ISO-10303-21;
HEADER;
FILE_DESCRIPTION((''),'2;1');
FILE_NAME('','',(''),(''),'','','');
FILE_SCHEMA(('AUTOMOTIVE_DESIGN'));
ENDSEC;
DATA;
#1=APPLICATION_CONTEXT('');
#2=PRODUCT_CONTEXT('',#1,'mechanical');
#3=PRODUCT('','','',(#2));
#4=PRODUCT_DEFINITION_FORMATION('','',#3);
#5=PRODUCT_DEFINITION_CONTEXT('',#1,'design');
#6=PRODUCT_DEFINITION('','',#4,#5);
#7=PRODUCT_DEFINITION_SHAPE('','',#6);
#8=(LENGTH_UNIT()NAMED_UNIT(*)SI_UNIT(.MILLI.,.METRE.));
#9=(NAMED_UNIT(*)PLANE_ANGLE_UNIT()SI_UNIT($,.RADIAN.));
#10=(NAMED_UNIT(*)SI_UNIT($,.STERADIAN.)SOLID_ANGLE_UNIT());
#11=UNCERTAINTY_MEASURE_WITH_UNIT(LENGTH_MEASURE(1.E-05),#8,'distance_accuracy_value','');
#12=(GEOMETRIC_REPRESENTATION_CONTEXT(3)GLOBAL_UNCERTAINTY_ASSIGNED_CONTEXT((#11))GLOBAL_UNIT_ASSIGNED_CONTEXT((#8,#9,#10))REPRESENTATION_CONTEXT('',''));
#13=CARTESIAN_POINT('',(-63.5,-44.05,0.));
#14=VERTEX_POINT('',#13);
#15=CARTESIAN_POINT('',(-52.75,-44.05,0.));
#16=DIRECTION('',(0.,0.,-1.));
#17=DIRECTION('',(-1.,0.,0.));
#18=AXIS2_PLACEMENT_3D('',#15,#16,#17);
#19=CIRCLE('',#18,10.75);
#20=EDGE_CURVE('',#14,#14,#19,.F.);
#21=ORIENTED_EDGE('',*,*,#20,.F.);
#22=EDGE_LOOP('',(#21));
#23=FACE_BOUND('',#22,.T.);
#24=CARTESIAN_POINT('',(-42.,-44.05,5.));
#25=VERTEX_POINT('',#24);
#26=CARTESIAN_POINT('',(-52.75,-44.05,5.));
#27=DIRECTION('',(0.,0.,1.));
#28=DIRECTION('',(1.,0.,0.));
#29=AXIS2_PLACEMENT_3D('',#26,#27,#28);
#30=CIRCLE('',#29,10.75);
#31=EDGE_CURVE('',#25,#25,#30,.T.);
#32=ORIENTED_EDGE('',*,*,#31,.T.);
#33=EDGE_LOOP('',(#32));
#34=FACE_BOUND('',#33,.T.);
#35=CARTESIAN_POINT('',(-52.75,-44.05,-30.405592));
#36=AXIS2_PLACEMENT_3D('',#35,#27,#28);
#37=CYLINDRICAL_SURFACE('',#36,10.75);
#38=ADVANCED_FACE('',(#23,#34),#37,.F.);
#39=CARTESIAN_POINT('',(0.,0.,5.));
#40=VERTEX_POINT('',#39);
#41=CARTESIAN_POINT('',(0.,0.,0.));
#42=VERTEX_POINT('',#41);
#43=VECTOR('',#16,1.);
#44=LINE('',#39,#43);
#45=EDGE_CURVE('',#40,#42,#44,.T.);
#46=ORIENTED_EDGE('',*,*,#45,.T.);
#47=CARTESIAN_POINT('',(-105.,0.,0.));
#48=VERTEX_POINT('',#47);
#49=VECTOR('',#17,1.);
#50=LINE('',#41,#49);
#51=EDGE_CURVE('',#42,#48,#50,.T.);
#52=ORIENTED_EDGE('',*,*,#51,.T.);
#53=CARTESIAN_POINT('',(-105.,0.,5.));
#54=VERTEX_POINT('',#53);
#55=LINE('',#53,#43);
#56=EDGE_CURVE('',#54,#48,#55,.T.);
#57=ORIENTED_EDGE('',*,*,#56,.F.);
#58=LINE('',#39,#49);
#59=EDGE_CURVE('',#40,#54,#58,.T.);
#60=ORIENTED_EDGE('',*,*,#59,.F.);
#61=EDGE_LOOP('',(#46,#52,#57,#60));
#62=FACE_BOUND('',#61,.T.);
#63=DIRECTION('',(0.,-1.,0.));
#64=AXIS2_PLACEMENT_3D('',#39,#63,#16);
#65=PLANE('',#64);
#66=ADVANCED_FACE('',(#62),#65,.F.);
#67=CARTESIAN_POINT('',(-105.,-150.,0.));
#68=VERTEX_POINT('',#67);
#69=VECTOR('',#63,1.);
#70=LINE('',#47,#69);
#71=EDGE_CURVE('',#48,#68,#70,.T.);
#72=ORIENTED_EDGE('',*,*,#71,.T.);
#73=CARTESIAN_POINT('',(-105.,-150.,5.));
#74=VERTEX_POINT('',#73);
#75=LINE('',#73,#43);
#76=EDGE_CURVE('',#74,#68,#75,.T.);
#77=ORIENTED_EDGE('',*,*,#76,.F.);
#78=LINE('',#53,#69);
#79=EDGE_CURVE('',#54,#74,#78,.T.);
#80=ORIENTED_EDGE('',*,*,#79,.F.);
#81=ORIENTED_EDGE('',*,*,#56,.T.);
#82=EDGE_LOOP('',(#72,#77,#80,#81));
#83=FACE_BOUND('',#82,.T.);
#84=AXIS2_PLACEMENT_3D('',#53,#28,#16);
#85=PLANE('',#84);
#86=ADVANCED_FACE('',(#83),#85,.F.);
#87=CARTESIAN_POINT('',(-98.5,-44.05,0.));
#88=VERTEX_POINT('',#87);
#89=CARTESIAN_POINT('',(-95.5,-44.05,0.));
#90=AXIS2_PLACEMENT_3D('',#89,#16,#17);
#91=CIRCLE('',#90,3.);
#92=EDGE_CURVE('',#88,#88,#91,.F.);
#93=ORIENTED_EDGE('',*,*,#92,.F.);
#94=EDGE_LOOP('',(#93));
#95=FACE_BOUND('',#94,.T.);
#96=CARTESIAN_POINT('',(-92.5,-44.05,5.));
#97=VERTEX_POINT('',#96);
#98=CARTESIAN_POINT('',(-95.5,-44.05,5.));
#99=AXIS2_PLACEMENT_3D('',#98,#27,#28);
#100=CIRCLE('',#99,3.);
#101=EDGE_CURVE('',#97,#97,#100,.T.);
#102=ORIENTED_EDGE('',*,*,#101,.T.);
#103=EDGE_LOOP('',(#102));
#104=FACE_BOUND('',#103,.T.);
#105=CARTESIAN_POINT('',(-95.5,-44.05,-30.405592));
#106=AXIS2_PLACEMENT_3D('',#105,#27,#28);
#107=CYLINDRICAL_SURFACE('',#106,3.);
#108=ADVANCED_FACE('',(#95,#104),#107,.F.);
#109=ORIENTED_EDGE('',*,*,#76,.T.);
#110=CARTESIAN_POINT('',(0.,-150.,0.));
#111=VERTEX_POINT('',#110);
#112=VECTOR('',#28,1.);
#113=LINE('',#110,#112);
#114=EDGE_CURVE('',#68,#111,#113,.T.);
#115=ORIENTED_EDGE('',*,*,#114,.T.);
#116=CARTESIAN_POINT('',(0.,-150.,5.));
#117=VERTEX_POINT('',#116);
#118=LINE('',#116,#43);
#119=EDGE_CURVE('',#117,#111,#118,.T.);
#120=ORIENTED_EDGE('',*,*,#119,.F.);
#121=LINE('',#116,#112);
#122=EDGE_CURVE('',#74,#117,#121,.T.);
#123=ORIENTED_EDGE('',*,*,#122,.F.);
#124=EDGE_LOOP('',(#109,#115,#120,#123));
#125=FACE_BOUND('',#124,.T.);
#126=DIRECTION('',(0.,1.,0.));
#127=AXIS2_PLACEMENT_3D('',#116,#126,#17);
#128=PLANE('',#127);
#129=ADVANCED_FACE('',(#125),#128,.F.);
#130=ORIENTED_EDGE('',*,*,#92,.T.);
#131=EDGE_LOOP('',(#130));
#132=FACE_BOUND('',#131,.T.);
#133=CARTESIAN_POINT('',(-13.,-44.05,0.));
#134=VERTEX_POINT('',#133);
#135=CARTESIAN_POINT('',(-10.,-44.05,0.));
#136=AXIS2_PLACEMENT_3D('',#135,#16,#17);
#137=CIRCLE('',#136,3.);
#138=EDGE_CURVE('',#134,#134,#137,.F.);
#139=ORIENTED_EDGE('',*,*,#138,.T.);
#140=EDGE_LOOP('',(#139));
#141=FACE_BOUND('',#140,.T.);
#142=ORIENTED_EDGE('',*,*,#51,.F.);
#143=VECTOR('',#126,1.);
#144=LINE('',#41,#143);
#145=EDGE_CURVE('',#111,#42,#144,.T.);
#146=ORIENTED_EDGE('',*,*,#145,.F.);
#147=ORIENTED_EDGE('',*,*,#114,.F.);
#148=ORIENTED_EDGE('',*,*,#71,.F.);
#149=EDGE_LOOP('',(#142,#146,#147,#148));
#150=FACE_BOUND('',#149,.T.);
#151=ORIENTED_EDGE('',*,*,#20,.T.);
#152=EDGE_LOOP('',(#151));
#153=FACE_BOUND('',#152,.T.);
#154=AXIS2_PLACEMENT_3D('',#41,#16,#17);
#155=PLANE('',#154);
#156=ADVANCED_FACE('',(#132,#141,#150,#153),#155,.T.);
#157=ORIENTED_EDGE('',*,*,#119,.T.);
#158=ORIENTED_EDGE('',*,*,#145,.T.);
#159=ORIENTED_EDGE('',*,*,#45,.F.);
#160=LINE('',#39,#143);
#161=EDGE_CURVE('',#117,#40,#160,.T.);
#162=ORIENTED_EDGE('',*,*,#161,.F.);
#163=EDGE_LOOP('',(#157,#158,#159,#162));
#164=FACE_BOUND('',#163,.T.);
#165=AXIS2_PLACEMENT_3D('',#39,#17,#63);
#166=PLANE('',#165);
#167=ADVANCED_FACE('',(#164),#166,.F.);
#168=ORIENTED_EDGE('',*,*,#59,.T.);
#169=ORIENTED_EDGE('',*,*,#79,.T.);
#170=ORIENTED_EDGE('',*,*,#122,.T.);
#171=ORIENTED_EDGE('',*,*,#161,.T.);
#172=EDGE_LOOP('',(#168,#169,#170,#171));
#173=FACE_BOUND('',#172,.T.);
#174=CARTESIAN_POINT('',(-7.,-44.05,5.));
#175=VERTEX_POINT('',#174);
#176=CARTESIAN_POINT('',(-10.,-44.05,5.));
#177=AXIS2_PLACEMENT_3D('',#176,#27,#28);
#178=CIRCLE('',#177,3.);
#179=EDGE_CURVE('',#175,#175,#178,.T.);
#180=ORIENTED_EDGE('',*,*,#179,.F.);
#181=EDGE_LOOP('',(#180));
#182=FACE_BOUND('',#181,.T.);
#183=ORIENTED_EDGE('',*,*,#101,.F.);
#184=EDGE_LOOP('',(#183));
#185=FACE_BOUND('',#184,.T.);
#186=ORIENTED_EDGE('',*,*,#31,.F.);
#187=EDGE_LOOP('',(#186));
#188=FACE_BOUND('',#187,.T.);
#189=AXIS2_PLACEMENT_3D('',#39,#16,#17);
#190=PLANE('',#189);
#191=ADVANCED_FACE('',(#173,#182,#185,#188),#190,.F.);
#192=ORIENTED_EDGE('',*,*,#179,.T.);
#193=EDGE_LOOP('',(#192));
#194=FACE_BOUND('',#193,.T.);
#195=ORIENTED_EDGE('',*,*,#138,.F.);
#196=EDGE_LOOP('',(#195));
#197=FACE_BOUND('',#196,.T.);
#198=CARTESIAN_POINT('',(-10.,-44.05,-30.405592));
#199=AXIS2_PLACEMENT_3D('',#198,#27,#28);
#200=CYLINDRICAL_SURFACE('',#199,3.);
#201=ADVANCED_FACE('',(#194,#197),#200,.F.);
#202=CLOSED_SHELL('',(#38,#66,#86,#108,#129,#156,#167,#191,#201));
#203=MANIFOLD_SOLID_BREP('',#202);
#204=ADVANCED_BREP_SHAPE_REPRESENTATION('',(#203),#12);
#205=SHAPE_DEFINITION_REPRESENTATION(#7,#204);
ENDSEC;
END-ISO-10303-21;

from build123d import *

# Parameters (mm, degrees)
SKETCH2_W           = 105
SKETCH2_H           = 150
BOSS_EXTRUDE1_DEPTH = 5
SKETCH3_R           = 10.75
SKETCH3_R_2         = 3
CUT_EXTRUDE1_DEPTH  = 5


with BuildPart() as part:
    # Sketch2 → Boss-Extrude1 (new body)
    with BuildSketch(Plane.XY):
        with Locations((-52.5, -75)):
            Rectangle(SKETCH2_W, SKETCH2_H)
    extrude(amount=BOSS_EXTRUDE1_DEPTH)

    # Sketch3 → Cut-Extrude1 (cut)
    with BuildSketch(Plane.XY.offset(5)):
        with Locations((-52.75, -44.05)):
            Circle(SKETCH3_R)
        with Locations((-10, -44.05)):
            Circle(SKETCH3_R_2)
        with Locations((-95.5, -44.05)):
            Circle(SKETCH3_R_2)
    extrude(amount=-CUT_EXTRUDE1_DEPTH, mode=Mode.SUBTRACT)


solid = part.part
